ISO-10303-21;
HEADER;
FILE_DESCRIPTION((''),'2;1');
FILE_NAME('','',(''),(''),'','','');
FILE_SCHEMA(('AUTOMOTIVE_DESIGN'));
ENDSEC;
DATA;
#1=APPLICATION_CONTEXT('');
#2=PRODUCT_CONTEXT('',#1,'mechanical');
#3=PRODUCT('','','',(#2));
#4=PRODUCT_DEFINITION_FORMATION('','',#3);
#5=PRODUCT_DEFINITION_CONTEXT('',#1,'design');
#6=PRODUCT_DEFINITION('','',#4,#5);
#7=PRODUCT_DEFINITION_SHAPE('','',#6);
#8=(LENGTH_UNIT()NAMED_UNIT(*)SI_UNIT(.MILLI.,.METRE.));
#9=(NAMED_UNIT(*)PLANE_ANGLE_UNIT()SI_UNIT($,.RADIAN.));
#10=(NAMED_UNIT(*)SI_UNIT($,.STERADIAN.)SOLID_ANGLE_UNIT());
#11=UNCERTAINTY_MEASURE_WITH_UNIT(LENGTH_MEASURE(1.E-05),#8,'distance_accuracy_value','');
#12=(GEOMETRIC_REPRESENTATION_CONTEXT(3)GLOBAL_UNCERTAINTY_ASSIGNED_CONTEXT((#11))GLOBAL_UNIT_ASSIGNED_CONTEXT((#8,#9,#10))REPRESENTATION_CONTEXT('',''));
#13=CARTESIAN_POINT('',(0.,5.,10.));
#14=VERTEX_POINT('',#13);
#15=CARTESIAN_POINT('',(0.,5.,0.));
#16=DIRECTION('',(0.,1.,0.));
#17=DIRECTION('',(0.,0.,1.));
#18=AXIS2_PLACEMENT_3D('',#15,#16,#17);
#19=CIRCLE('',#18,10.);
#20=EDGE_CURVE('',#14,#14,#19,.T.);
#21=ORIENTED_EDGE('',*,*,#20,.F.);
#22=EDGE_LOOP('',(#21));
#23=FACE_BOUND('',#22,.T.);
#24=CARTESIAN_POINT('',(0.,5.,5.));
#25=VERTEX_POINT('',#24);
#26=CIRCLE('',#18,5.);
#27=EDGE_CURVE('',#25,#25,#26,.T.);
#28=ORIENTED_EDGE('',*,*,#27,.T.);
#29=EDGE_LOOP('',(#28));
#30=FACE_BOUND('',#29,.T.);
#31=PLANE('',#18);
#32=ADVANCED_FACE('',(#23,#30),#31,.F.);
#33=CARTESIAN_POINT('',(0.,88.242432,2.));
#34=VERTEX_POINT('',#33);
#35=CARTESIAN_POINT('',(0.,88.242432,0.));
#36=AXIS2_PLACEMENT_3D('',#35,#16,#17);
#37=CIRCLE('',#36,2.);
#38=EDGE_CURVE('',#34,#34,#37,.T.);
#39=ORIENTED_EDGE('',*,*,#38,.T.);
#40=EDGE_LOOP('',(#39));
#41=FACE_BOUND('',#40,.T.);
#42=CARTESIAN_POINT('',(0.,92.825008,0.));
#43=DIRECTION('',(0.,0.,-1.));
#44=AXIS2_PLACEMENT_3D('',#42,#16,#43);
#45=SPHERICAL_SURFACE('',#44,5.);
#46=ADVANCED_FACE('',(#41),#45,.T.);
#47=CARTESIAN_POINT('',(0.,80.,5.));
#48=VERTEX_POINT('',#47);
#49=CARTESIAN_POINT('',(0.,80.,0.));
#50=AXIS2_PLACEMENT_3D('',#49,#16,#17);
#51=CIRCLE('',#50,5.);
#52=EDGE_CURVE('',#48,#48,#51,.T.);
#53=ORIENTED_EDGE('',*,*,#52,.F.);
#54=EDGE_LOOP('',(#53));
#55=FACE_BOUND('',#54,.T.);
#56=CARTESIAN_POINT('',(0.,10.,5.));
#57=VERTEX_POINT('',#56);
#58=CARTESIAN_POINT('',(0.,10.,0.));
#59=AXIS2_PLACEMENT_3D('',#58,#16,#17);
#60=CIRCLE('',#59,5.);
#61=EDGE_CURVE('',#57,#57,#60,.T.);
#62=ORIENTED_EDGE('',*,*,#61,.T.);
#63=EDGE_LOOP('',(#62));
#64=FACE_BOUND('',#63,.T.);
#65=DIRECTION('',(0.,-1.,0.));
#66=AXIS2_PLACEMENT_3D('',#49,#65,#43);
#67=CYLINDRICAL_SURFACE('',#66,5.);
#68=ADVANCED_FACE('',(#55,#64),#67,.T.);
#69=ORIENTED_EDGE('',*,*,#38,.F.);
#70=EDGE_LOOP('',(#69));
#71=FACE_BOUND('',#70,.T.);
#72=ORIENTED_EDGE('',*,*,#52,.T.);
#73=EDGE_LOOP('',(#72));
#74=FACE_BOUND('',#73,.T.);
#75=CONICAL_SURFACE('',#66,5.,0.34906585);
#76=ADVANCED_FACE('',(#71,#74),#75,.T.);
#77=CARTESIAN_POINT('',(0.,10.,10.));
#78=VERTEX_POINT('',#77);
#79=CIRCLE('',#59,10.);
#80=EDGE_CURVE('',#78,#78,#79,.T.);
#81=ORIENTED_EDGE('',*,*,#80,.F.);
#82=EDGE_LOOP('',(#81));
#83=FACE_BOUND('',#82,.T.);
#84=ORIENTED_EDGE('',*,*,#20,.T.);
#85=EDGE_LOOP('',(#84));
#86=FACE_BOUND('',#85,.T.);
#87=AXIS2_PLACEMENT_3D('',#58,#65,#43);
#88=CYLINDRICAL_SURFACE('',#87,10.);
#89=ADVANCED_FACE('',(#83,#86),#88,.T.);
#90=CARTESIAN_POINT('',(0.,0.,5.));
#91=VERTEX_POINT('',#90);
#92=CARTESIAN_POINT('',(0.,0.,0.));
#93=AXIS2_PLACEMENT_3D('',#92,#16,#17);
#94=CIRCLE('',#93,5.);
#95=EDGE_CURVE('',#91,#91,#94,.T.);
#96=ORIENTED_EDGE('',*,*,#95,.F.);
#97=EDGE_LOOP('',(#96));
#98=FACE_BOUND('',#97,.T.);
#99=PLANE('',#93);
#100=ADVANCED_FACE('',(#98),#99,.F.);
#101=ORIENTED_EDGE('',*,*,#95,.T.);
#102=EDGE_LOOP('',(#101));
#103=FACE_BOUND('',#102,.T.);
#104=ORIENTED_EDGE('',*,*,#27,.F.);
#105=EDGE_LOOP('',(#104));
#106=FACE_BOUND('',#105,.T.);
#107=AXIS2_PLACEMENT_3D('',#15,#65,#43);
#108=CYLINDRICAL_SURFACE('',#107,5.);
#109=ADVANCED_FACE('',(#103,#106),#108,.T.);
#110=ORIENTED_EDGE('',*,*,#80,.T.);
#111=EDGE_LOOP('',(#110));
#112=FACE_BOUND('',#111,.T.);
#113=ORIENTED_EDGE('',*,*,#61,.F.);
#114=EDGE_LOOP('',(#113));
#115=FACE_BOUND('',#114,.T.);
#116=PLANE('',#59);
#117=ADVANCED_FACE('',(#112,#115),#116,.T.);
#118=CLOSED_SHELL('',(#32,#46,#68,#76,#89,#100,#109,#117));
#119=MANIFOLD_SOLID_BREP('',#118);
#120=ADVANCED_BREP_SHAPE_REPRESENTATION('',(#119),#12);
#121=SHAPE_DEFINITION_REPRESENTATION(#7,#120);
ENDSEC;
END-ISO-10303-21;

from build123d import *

# Parameters (mm, degrees)
SKETCH1_R           = 5
BOSS_EXTRUDE1_DEPTH = 5
SKETCH2_R           = 10
BOSS_EXTRUDE2_DEPTH = 5
SKETCH3_R           = 5
BOSS_EXTRUDE3_DEPTH = 70


with BuildPart() as part:
    # Sketch1 → Boss-Extrude1 (new body)
    with BuildSketch(Plane(origin=(0, 0, 0), x_dir=(1, 0, 0), z_dir=(0, 1, 0))):
        Circle(SKETCH1_R)
    extrude(amount=BOSS_EXTRUDE1_DEPTH)

    # Sketch2 → Boss-Extrude2 (add)
    with BuildSketch(Plane(origin=(0, 5, 0), x_dir=(1, 0, 0), z_dir=(0, 1, 0))):
        Circle(SKETCH2_R)
    extrude(amount=BOSS_EXTRUDE2_DEPTH)

    # Sketch3 → Boss-Extrude3 (add)
    with BuildSketch(Plane(origin=(0, 10, 0), x_dir=(1, 0, 0), z_dir=(0, 1, 0))):
        Circle(SKETCH3_R)
    extrude(amount=BOSS_EXTRUDE3_DEPTH)

    # Sketch4 → Revolve1 (revolve)
    with BuildSketch(Plane(origin=(0, 0, 0), x_dir=(0, 0, -1), z_dir=(1, 0, 0))):
        with BuildLine():
            Line((5, 80), (2, 88.242432258))
            ThreePointArc((2, 88.242432258), (4.894531565, 93.846556172), (0, 97.825007953))
            Line((0, 97.825007953), (0, 80))
            Line((0, 80), (5, 80))
        make_face()
    revolve(axis=Axis((0, 97.825007953, 0), (0, -1, 0)))


solid = part.part
